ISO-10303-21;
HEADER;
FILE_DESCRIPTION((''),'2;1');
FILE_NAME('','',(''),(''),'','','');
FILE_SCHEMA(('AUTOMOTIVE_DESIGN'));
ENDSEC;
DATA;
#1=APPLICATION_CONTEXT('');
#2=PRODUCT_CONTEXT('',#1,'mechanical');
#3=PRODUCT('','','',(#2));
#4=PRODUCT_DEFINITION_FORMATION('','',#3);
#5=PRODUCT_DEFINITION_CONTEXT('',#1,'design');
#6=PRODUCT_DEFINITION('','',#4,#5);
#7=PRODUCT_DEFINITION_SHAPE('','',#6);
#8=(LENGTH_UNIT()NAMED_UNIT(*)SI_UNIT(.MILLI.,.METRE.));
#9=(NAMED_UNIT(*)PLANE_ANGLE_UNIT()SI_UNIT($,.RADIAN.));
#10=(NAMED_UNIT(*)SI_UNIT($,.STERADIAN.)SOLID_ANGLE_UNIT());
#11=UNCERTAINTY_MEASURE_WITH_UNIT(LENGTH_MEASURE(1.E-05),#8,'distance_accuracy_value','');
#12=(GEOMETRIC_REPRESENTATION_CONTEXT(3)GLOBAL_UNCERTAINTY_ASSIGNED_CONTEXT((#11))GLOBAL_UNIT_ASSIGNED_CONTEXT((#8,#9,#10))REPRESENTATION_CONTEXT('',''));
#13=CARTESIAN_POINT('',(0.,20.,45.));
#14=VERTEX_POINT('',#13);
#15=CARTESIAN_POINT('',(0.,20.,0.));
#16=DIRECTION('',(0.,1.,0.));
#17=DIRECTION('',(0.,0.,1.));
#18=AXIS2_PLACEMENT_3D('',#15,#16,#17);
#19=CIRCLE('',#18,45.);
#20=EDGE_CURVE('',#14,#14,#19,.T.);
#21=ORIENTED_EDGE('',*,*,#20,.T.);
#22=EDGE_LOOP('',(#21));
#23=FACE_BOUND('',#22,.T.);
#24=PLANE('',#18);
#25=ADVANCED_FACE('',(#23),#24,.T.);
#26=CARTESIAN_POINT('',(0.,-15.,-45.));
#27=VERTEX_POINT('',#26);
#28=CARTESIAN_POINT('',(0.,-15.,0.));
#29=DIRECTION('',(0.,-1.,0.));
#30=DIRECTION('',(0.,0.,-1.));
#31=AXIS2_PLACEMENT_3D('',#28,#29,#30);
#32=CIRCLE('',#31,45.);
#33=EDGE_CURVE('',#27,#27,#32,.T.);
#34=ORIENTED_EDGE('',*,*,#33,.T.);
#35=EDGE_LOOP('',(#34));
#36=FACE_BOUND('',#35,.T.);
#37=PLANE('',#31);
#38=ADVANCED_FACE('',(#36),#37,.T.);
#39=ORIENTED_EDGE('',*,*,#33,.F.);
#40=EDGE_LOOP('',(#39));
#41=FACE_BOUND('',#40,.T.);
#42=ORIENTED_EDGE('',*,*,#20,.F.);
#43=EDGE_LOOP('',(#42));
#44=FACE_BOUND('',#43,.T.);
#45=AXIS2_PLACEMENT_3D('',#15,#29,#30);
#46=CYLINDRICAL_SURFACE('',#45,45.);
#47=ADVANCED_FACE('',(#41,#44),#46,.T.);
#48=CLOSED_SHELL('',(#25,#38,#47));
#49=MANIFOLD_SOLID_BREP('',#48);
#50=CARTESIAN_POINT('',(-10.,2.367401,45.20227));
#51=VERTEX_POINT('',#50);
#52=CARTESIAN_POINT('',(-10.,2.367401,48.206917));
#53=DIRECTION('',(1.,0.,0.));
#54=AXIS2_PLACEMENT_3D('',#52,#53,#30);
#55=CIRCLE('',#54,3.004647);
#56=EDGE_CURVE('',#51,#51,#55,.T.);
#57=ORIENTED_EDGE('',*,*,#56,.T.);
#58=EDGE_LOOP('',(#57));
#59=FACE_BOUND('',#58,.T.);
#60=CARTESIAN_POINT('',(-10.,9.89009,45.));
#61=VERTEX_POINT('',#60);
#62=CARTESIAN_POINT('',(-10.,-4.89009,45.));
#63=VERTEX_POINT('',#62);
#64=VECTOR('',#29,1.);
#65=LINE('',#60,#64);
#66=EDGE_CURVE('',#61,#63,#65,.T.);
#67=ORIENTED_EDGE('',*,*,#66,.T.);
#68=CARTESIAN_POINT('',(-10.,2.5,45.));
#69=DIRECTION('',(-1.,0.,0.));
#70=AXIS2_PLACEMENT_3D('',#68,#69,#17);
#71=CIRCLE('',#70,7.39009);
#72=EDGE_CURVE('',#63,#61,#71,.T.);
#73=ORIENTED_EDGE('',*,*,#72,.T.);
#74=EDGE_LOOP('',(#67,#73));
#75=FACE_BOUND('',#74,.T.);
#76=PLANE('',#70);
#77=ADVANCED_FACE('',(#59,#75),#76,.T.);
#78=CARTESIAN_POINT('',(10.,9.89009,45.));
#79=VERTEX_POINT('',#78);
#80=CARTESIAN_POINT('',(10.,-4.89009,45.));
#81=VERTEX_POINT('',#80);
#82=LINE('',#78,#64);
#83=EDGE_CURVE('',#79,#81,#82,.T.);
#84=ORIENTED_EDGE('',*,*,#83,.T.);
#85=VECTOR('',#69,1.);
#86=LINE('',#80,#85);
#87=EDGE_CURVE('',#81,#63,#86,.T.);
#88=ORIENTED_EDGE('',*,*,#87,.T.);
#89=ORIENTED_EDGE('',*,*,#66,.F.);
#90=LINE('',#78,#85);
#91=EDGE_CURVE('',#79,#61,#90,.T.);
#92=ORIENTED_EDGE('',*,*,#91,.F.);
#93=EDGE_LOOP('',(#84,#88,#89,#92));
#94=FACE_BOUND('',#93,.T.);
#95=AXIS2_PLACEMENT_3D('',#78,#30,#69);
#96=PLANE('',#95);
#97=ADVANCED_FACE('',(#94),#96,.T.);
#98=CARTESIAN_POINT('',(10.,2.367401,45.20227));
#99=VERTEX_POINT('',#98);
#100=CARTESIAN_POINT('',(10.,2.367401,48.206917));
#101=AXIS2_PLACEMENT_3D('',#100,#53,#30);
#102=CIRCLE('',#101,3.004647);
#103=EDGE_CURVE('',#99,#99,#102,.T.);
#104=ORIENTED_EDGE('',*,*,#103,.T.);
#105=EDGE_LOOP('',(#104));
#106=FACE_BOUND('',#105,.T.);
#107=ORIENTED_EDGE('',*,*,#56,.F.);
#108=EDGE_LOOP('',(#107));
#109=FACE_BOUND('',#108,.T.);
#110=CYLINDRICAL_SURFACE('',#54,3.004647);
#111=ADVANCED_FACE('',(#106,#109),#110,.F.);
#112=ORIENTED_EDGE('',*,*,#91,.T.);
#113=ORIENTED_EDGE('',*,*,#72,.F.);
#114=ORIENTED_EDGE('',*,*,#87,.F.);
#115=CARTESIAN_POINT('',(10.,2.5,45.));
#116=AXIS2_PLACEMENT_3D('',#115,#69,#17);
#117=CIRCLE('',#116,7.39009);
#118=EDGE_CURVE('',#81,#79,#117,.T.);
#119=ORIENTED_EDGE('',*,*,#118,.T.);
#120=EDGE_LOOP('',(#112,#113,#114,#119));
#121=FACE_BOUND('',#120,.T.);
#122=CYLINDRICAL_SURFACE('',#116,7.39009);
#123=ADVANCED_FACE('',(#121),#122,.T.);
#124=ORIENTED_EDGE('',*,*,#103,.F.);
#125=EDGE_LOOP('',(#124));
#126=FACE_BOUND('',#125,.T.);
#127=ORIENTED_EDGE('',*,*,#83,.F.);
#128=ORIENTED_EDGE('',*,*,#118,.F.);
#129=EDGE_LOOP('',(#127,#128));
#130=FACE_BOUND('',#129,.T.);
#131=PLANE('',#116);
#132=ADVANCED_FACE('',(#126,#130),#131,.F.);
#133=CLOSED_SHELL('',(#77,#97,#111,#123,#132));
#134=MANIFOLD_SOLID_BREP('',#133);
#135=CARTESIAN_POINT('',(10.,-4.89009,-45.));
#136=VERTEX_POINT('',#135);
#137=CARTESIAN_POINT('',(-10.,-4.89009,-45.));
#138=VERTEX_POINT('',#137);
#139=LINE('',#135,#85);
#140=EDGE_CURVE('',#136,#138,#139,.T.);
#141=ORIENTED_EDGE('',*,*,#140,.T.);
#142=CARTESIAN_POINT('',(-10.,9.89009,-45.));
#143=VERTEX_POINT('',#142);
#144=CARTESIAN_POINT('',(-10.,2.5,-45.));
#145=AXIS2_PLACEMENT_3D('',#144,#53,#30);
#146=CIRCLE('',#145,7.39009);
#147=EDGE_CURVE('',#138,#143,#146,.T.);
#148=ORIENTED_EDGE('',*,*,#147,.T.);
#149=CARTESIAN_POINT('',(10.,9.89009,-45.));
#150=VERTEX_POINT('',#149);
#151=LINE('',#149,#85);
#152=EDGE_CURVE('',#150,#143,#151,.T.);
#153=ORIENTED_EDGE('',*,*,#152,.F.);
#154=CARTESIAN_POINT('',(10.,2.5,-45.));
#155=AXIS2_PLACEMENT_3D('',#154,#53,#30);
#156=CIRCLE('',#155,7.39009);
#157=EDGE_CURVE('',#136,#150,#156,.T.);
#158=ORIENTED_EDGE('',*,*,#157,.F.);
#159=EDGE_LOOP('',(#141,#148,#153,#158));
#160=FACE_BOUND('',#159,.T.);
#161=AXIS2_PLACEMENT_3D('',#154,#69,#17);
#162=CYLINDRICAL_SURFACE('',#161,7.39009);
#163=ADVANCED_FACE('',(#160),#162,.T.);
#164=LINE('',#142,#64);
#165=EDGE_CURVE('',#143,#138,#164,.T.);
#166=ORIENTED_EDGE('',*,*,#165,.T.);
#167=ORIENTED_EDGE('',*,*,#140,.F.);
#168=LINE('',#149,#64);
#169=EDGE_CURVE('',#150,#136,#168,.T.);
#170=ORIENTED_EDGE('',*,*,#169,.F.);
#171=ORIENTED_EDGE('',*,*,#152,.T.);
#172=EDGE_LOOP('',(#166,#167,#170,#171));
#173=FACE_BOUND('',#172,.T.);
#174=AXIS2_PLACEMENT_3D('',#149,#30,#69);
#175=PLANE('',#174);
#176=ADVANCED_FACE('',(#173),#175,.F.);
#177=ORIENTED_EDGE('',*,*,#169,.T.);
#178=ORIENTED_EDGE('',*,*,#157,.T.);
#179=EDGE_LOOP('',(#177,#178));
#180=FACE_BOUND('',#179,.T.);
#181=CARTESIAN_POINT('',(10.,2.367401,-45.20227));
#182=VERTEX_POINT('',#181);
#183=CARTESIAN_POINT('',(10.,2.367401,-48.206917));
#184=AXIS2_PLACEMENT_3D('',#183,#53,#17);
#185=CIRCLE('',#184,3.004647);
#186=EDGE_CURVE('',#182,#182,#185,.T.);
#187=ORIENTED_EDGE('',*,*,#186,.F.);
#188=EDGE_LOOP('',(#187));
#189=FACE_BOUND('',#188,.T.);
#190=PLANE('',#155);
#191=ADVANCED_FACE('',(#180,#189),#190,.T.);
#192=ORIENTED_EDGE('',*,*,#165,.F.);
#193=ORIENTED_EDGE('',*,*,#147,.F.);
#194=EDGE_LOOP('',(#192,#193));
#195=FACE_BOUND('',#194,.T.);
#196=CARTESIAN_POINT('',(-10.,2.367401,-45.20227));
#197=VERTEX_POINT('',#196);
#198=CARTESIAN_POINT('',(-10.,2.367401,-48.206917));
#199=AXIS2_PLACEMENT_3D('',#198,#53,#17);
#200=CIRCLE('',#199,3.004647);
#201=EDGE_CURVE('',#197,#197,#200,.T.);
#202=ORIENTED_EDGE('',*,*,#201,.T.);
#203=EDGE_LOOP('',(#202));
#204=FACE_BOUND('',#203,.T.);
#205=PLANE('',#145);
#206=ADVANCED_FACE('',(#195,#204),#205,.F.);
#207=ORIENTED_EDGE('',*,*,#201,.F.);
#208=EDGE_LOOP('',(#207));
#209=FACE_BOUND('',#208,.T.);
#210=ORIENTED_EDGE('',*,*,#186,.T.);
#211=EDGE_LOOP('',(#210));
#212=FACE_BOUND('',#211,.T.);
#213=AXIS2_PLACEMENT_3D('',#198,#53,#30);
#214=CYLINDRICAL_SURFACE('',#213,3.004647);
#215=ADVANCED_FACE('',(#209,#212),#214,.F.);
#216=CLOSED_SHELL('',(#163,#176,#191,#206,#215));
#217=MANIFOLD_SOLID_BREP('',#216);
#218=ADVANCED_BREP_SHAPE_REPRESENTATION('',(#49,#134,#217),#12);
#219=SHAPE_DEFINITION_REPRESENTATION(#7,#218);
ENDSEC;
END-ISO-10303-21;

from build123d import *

# Parameters (mm, degrees)
SKETCH1_R             = 45
BOSS_EXTRUDE1_DEPTH   = 20
BOSS_EXTRUDE3_START   = 15
SKETCH9_R             = 45
BOSS_EXTRUDE3_DEPTH   = 15
BOSS_EXTRUDE4_DEPTH   = 10
BOSS_EXTRUDE4_2_DEPTH = 10
SKETCH11_R            = 3.004647084
CUT_EXTRUDE1_DEPTH    = 20


with BuildPart() as part:
    # Sketch1 → Boss-Extrude1 (new body)
    with BuildSketch(Plane(origin=(0, 0, 0), x_dir=(1, 0, 0), z_dir=(0, 1, 0))):
        with Locations(Location((0, 0, 0), (0, 0, 270))):
            Circle(SKETCH1_R)
    extrude(amount=BOSS_EXTRUDE1_DEPTH)

    # Sketch9 → Boss-Extrude3 (add)
    with BuildSketch(Plane.XZ.offset(BOSS_EXTRUDE3_START)):
        with Locations(Location((0, 0, 0), (0, 0, 270))):
            Circle(SKETCH9_R)
    extrude(amount=-BOSS_EXTRUDE3_DEPTH)


with BuildPart() as body_2:
    # Sketch10 → Boss-Extrude4 (new, symmetric)
    with BuildSketch(Plane(origin=(0, 0, 0), x_dir=(0, 0, -1), z_dir=(1, 0, 0))):
        with BuildLine():
            Line((45, 9.890090122), (45, -4.890090122))
            ThreePointArc((45, -4.890090122), (52.390090122, 2.5), (45, 9.890090122))
        make_face()
    extrude(amount=BOSS_EXTRUDE4_DEPTH, both=True)


with BuildPart() as body_3:
    # Sketch10 → Boss-Extrude4 2 (new, symmetric)
    with BuildSketch(Plane(origin=(0, 0, 0), x_dir=(0, 0, -1), z_dir=(1, 0, 0))):
        with BuildLine():
            Line((-45, 9.890090122), (-45, -4.890090122))
            ThreePointArc((-45, -4.890090122), (-52.390090122, 2.5), (-45, 9.890090122))
        make_face()
    extrude(amount=BOSS_EXTRUDE4_2_DEPTH, both=True)


with BuildPart() as cut_extrude1_tool:
    # Sketch11 → Cut-Extrude1 (new body)
    with BuildSketch(Plane(origin=(10, 0, 0), x_dir=(0, 0, -1), z_dir=(1, 0, 0))):
        with Locations((-48.206917235, 2.367401044)):
            Circle(SKETCH11_R)
        with Locations(Location((48.206917235, 2.367401044, 0), (0, 0, 180))):
            Circle(SKETCH11_R)
    extrude(amount=-CUT_EXTRUDE1_DEPTH)


with BuildPart() as body_2_1:
    add(body_2.part)

    # Cut-Extrude1: cut by cut_extrude1_tool
    add(cut_extrude1_tool.part, mode=Mode.SUBTRACT)


with BuildPart() as body_3_1:
    add(body_3.part)

    # Cut-Extrude1: cut by cut_extrude1_tool
    add(cut_extrude1_tool.part, mode=Mode.SUBTRACT)


solid = Compound([part.part, body_2_1.part, body_3_1.part])
